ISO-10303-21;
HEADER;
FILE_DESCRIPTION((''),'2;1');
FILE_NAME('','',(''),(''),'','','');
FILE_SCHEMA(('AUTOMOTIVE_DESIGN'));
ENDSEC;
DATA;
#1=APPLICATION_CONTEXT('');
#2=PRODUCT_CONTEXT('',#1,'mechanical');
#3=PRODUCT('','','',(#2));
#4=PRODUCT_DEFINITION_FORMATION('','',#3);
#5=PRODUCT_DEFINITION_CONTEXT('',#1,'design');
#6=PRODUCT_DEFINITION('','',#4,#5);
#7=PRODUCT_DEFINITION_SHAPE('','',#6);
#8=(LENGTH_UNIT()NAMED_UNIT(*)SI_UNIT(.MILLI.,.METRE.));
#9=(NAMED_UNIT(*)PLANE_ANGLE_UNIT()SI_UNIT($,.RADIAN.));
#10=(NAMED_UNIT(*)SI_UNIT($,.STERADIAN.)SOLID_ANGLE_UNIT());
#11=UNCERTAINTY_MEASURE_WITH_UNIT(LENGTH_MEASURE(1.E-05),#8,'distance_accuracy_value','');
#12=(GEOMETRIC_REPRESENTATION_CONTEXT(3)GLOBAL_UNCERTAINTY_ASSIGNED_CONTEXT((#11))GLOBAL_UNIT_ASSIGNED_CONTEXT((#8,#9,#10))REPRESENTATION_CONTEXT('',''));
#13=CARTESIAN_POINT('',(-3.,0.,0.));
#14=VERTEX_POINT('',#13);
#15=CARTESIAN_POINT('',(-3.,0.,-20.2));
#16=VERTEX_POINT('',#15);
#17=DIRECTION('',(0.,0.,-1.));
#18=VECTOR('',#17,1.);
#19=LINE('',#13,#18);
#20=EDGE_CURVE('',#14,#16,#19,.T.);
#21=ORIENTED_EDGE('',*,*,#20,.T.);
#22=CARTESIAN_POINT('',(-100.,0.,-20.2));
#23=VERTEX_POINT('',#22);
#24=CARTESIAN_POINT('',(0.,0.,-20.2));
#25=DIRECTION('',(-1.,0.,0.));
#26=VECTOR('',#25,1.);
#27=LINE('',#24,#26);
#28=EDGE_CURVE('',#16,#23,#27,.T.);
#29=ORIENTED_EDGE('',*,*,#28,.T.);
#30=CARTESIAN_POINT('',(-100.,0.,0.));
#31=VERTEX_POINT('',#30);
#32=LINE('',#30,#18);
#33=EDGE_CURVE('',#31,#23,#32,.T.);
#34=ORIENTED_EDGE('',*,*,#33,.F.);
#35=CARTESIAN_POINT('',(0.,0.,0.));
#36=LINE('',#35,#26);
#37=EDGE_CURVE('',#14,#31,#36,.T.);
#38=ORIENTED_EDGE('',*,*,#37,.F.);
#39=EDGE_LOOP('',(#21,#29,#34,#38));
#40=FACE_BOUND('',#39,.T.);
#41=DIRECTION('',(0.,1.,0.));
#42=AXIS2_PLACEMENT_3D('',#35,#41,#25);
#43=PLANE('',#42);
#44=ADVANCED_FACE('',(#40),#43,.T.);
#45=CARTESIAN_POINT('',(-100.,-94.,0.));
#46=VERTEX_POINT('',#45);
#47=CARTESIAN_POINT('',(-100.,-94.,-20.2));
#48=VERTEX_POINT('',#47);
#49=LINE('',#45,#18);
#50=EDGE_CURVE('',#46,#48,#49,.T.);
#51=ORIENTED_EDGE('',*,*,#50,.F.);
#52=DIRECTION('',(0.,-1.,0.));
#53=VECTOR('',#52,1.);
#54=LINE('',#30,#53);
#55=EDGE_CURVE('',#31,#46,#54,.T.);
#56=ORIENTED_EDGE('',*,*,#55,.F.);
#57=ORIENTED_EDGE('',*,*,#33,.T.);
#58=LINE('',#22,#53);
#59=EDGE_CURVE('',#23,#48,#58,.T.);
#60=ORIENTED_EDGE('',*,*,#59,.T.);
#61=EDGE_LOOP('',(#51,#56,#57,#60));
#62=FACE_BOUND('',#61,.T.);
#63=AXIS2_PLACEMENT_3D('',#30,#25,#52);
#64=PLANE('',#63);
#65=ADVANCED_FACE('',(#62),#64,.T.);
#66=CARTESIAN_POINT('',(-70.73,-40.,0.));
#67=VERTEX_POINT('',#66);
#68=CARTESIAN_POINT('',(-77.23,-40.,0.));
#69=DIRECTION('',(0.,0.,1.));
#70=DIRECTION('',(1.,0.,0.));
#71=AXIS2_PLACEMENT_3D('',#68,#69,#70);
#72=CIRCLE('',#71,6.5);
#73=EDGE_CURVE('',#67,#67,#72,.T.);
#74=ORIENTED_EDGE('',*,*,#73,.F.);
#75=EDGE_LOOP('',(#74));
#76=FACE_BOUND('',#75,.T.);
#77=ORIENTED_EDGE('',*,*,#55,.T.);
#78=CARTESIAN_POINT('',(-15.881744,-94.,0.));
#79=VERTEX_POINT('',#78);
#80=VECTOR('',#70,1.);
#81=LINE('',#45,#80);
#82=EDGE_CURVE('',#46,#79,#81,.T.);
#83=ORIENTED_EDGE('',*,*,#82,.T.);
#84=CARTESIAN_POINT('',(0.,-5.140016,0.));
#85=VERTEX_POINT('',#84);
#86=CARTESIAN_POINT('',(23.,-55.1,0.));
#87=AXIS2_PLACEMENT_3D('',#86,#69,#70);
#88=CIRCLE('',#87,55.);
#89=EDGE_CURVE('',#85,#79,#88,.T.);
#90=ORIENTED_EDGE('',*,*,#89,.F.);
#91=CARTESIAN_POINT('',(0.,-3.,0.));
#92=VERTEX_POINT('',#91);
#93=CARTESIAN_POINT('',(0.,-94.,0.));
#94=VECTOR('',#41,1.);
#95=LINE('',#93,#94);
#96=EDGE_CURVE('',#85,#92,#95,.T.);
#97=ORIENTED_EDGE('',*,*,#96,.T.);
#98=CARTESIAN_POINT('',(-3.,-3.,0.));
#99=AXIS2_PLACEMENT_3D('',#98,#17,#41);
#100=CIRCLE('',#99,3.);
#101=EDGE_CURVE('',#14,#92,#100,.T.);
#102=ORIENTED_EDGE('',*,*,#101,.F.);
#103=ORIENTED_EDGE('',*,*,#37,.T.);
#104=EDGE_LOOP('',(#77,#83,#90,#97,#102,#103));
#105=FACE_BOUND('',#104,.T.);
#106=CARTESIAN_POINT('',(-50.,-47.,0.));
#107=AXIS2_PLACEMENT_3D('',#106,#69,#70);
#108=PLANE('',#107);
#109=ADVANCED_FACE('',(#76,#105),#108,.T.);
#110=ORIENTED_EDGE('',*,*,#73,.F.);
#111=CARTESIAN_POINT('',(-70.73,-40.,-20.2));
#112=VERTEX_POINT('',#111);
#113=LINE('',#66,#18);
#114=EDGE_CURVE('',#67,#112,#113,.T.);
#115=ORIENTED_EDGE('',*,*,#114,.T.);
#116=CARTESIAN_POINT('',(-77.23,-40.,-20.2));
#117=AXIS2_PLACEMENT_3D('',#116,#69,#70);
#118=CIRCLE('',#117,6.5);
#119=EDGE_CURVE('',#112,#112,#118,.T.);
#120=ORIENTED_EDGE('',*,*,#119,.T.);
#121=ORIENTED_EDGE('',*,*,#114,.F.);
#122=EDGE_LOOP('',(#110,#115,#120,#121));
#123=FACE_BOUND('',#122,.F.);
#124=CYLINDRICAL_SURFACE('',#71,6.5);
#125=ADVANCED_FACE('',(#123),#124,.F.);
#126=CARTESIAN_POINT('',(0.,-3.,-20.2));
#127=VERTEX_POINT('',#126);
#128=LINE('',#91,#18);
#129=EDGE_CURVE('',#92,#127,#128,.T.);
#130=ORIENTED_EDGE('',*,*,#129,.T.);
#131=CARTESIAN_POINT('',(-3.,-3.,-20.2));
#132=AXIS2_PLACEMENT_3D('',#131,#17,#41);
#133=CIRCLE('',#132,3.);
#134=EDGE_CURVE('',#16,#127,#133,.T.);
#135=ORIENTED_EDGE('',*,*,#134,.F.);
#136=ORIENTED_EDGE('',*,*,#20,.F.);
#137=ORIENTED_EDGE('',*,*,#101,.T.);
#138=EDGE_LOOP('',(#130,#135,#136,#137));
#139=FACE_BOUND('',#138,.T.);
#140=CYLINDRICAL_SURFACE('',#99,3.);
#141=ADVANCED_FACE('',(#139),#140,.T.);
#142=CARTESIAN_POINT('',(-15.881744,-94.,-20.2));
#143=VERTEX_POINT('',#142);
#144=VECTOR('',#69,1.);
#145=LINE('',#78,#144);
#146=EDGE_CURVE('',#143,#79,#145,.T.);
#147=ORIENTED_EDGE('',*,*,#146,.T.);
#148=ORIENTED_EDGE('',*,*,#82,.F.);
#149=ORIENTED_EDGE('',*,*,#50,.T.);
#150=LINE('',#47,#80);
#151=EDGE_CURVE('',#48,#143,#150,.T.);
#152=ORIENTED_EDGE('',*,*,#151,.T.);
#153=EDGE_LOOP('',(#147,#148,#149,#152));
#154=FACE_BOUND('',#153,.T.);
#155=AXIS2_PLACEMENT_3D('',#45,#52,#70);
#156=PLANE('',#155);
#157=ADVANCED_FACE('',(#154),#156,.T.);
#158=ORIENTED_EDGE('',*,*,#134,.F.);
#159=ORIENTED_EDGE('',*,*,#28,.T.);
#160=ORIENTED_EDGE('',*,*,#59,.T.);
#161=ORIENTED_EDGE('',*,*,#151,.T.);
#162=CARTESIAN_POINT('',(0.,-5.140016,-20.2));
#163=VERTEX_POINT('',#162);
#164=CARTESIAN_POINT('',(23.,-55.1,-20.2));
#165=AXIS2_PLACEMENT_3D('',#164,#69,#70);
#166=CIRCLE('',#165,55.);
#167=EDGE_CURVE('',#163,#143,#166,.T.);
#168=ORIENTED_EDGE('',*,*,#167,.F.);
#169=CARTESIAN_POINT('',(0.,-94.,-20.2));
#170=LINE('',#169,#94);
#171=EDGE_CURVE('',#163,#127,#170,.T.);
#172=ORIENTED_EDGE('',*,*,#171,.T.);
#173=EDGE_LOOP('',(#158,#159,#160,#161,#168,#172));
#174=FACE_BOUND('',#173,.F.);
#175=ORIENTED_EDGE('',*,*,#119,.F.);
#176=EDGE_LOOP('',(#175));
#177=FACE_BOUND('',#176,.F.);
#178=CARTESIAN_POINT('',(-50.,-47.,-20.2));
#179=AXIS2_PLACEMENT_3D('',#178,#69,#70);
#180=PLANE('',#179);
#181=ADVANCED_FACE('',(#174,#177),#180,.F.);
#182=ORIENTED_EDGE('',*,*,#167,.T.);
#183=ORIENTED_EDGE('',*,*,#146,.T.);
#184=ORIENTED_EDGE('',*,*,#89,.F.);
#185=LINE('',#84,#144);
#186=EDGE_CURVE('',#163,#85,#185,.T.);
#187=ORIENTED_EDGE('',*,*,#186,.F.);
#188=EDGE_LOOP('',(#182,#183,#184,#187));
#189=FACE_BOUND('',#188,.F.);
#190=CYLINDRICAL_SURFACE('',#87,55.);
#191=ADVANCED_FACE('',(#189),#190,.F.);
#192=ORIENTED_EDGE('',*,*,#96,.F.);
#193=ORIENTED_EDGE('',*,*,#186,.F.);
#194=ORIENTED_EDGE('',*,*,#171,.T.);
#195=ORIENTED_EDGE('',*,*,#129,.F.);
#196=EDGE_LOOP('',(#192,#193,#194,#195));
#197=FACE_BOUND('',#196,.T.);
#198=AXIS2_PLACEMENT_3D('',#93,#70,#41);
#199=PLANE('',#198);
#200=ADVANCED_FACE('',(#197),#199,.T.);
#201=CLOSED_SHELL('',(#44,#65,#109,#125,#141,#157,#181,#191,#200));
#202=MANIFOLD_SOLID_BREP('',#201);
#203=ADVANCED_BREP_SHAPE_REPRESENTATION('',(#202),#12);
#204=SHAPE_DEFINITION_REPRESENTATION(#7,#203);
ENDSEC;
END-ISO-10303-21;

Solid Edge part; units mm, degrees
sketch "Sketch1" plane through (0, 0, 0) normal (0, 0, 1) x (1, 0, 0)
  line L0 (0, 0) -> (-100, 0)
  line L1 (-100, 0) -> (-100, -94)
  line L2 (-100, -94) -> (0, -94)
  line L3 (0, -94) -> (0, 0)
extrude "Protrusion1" add sketch "Sketch1" against normal blind 20.2
sketch "Sketch2" plane through (-50, -47, 0) normal (0, 0, 1) x (1, 0, 0)
  circle A0 centre (-27.23, 7) radius 6.5
  circle A1 centre (73, -8.1) radius 55
extrude "ExtrudedCutout_1" cut sketch "Sketch2" against normal blind 21
fillet "Round_1" radius 3 1 edges at (0, 0, -10.1)
